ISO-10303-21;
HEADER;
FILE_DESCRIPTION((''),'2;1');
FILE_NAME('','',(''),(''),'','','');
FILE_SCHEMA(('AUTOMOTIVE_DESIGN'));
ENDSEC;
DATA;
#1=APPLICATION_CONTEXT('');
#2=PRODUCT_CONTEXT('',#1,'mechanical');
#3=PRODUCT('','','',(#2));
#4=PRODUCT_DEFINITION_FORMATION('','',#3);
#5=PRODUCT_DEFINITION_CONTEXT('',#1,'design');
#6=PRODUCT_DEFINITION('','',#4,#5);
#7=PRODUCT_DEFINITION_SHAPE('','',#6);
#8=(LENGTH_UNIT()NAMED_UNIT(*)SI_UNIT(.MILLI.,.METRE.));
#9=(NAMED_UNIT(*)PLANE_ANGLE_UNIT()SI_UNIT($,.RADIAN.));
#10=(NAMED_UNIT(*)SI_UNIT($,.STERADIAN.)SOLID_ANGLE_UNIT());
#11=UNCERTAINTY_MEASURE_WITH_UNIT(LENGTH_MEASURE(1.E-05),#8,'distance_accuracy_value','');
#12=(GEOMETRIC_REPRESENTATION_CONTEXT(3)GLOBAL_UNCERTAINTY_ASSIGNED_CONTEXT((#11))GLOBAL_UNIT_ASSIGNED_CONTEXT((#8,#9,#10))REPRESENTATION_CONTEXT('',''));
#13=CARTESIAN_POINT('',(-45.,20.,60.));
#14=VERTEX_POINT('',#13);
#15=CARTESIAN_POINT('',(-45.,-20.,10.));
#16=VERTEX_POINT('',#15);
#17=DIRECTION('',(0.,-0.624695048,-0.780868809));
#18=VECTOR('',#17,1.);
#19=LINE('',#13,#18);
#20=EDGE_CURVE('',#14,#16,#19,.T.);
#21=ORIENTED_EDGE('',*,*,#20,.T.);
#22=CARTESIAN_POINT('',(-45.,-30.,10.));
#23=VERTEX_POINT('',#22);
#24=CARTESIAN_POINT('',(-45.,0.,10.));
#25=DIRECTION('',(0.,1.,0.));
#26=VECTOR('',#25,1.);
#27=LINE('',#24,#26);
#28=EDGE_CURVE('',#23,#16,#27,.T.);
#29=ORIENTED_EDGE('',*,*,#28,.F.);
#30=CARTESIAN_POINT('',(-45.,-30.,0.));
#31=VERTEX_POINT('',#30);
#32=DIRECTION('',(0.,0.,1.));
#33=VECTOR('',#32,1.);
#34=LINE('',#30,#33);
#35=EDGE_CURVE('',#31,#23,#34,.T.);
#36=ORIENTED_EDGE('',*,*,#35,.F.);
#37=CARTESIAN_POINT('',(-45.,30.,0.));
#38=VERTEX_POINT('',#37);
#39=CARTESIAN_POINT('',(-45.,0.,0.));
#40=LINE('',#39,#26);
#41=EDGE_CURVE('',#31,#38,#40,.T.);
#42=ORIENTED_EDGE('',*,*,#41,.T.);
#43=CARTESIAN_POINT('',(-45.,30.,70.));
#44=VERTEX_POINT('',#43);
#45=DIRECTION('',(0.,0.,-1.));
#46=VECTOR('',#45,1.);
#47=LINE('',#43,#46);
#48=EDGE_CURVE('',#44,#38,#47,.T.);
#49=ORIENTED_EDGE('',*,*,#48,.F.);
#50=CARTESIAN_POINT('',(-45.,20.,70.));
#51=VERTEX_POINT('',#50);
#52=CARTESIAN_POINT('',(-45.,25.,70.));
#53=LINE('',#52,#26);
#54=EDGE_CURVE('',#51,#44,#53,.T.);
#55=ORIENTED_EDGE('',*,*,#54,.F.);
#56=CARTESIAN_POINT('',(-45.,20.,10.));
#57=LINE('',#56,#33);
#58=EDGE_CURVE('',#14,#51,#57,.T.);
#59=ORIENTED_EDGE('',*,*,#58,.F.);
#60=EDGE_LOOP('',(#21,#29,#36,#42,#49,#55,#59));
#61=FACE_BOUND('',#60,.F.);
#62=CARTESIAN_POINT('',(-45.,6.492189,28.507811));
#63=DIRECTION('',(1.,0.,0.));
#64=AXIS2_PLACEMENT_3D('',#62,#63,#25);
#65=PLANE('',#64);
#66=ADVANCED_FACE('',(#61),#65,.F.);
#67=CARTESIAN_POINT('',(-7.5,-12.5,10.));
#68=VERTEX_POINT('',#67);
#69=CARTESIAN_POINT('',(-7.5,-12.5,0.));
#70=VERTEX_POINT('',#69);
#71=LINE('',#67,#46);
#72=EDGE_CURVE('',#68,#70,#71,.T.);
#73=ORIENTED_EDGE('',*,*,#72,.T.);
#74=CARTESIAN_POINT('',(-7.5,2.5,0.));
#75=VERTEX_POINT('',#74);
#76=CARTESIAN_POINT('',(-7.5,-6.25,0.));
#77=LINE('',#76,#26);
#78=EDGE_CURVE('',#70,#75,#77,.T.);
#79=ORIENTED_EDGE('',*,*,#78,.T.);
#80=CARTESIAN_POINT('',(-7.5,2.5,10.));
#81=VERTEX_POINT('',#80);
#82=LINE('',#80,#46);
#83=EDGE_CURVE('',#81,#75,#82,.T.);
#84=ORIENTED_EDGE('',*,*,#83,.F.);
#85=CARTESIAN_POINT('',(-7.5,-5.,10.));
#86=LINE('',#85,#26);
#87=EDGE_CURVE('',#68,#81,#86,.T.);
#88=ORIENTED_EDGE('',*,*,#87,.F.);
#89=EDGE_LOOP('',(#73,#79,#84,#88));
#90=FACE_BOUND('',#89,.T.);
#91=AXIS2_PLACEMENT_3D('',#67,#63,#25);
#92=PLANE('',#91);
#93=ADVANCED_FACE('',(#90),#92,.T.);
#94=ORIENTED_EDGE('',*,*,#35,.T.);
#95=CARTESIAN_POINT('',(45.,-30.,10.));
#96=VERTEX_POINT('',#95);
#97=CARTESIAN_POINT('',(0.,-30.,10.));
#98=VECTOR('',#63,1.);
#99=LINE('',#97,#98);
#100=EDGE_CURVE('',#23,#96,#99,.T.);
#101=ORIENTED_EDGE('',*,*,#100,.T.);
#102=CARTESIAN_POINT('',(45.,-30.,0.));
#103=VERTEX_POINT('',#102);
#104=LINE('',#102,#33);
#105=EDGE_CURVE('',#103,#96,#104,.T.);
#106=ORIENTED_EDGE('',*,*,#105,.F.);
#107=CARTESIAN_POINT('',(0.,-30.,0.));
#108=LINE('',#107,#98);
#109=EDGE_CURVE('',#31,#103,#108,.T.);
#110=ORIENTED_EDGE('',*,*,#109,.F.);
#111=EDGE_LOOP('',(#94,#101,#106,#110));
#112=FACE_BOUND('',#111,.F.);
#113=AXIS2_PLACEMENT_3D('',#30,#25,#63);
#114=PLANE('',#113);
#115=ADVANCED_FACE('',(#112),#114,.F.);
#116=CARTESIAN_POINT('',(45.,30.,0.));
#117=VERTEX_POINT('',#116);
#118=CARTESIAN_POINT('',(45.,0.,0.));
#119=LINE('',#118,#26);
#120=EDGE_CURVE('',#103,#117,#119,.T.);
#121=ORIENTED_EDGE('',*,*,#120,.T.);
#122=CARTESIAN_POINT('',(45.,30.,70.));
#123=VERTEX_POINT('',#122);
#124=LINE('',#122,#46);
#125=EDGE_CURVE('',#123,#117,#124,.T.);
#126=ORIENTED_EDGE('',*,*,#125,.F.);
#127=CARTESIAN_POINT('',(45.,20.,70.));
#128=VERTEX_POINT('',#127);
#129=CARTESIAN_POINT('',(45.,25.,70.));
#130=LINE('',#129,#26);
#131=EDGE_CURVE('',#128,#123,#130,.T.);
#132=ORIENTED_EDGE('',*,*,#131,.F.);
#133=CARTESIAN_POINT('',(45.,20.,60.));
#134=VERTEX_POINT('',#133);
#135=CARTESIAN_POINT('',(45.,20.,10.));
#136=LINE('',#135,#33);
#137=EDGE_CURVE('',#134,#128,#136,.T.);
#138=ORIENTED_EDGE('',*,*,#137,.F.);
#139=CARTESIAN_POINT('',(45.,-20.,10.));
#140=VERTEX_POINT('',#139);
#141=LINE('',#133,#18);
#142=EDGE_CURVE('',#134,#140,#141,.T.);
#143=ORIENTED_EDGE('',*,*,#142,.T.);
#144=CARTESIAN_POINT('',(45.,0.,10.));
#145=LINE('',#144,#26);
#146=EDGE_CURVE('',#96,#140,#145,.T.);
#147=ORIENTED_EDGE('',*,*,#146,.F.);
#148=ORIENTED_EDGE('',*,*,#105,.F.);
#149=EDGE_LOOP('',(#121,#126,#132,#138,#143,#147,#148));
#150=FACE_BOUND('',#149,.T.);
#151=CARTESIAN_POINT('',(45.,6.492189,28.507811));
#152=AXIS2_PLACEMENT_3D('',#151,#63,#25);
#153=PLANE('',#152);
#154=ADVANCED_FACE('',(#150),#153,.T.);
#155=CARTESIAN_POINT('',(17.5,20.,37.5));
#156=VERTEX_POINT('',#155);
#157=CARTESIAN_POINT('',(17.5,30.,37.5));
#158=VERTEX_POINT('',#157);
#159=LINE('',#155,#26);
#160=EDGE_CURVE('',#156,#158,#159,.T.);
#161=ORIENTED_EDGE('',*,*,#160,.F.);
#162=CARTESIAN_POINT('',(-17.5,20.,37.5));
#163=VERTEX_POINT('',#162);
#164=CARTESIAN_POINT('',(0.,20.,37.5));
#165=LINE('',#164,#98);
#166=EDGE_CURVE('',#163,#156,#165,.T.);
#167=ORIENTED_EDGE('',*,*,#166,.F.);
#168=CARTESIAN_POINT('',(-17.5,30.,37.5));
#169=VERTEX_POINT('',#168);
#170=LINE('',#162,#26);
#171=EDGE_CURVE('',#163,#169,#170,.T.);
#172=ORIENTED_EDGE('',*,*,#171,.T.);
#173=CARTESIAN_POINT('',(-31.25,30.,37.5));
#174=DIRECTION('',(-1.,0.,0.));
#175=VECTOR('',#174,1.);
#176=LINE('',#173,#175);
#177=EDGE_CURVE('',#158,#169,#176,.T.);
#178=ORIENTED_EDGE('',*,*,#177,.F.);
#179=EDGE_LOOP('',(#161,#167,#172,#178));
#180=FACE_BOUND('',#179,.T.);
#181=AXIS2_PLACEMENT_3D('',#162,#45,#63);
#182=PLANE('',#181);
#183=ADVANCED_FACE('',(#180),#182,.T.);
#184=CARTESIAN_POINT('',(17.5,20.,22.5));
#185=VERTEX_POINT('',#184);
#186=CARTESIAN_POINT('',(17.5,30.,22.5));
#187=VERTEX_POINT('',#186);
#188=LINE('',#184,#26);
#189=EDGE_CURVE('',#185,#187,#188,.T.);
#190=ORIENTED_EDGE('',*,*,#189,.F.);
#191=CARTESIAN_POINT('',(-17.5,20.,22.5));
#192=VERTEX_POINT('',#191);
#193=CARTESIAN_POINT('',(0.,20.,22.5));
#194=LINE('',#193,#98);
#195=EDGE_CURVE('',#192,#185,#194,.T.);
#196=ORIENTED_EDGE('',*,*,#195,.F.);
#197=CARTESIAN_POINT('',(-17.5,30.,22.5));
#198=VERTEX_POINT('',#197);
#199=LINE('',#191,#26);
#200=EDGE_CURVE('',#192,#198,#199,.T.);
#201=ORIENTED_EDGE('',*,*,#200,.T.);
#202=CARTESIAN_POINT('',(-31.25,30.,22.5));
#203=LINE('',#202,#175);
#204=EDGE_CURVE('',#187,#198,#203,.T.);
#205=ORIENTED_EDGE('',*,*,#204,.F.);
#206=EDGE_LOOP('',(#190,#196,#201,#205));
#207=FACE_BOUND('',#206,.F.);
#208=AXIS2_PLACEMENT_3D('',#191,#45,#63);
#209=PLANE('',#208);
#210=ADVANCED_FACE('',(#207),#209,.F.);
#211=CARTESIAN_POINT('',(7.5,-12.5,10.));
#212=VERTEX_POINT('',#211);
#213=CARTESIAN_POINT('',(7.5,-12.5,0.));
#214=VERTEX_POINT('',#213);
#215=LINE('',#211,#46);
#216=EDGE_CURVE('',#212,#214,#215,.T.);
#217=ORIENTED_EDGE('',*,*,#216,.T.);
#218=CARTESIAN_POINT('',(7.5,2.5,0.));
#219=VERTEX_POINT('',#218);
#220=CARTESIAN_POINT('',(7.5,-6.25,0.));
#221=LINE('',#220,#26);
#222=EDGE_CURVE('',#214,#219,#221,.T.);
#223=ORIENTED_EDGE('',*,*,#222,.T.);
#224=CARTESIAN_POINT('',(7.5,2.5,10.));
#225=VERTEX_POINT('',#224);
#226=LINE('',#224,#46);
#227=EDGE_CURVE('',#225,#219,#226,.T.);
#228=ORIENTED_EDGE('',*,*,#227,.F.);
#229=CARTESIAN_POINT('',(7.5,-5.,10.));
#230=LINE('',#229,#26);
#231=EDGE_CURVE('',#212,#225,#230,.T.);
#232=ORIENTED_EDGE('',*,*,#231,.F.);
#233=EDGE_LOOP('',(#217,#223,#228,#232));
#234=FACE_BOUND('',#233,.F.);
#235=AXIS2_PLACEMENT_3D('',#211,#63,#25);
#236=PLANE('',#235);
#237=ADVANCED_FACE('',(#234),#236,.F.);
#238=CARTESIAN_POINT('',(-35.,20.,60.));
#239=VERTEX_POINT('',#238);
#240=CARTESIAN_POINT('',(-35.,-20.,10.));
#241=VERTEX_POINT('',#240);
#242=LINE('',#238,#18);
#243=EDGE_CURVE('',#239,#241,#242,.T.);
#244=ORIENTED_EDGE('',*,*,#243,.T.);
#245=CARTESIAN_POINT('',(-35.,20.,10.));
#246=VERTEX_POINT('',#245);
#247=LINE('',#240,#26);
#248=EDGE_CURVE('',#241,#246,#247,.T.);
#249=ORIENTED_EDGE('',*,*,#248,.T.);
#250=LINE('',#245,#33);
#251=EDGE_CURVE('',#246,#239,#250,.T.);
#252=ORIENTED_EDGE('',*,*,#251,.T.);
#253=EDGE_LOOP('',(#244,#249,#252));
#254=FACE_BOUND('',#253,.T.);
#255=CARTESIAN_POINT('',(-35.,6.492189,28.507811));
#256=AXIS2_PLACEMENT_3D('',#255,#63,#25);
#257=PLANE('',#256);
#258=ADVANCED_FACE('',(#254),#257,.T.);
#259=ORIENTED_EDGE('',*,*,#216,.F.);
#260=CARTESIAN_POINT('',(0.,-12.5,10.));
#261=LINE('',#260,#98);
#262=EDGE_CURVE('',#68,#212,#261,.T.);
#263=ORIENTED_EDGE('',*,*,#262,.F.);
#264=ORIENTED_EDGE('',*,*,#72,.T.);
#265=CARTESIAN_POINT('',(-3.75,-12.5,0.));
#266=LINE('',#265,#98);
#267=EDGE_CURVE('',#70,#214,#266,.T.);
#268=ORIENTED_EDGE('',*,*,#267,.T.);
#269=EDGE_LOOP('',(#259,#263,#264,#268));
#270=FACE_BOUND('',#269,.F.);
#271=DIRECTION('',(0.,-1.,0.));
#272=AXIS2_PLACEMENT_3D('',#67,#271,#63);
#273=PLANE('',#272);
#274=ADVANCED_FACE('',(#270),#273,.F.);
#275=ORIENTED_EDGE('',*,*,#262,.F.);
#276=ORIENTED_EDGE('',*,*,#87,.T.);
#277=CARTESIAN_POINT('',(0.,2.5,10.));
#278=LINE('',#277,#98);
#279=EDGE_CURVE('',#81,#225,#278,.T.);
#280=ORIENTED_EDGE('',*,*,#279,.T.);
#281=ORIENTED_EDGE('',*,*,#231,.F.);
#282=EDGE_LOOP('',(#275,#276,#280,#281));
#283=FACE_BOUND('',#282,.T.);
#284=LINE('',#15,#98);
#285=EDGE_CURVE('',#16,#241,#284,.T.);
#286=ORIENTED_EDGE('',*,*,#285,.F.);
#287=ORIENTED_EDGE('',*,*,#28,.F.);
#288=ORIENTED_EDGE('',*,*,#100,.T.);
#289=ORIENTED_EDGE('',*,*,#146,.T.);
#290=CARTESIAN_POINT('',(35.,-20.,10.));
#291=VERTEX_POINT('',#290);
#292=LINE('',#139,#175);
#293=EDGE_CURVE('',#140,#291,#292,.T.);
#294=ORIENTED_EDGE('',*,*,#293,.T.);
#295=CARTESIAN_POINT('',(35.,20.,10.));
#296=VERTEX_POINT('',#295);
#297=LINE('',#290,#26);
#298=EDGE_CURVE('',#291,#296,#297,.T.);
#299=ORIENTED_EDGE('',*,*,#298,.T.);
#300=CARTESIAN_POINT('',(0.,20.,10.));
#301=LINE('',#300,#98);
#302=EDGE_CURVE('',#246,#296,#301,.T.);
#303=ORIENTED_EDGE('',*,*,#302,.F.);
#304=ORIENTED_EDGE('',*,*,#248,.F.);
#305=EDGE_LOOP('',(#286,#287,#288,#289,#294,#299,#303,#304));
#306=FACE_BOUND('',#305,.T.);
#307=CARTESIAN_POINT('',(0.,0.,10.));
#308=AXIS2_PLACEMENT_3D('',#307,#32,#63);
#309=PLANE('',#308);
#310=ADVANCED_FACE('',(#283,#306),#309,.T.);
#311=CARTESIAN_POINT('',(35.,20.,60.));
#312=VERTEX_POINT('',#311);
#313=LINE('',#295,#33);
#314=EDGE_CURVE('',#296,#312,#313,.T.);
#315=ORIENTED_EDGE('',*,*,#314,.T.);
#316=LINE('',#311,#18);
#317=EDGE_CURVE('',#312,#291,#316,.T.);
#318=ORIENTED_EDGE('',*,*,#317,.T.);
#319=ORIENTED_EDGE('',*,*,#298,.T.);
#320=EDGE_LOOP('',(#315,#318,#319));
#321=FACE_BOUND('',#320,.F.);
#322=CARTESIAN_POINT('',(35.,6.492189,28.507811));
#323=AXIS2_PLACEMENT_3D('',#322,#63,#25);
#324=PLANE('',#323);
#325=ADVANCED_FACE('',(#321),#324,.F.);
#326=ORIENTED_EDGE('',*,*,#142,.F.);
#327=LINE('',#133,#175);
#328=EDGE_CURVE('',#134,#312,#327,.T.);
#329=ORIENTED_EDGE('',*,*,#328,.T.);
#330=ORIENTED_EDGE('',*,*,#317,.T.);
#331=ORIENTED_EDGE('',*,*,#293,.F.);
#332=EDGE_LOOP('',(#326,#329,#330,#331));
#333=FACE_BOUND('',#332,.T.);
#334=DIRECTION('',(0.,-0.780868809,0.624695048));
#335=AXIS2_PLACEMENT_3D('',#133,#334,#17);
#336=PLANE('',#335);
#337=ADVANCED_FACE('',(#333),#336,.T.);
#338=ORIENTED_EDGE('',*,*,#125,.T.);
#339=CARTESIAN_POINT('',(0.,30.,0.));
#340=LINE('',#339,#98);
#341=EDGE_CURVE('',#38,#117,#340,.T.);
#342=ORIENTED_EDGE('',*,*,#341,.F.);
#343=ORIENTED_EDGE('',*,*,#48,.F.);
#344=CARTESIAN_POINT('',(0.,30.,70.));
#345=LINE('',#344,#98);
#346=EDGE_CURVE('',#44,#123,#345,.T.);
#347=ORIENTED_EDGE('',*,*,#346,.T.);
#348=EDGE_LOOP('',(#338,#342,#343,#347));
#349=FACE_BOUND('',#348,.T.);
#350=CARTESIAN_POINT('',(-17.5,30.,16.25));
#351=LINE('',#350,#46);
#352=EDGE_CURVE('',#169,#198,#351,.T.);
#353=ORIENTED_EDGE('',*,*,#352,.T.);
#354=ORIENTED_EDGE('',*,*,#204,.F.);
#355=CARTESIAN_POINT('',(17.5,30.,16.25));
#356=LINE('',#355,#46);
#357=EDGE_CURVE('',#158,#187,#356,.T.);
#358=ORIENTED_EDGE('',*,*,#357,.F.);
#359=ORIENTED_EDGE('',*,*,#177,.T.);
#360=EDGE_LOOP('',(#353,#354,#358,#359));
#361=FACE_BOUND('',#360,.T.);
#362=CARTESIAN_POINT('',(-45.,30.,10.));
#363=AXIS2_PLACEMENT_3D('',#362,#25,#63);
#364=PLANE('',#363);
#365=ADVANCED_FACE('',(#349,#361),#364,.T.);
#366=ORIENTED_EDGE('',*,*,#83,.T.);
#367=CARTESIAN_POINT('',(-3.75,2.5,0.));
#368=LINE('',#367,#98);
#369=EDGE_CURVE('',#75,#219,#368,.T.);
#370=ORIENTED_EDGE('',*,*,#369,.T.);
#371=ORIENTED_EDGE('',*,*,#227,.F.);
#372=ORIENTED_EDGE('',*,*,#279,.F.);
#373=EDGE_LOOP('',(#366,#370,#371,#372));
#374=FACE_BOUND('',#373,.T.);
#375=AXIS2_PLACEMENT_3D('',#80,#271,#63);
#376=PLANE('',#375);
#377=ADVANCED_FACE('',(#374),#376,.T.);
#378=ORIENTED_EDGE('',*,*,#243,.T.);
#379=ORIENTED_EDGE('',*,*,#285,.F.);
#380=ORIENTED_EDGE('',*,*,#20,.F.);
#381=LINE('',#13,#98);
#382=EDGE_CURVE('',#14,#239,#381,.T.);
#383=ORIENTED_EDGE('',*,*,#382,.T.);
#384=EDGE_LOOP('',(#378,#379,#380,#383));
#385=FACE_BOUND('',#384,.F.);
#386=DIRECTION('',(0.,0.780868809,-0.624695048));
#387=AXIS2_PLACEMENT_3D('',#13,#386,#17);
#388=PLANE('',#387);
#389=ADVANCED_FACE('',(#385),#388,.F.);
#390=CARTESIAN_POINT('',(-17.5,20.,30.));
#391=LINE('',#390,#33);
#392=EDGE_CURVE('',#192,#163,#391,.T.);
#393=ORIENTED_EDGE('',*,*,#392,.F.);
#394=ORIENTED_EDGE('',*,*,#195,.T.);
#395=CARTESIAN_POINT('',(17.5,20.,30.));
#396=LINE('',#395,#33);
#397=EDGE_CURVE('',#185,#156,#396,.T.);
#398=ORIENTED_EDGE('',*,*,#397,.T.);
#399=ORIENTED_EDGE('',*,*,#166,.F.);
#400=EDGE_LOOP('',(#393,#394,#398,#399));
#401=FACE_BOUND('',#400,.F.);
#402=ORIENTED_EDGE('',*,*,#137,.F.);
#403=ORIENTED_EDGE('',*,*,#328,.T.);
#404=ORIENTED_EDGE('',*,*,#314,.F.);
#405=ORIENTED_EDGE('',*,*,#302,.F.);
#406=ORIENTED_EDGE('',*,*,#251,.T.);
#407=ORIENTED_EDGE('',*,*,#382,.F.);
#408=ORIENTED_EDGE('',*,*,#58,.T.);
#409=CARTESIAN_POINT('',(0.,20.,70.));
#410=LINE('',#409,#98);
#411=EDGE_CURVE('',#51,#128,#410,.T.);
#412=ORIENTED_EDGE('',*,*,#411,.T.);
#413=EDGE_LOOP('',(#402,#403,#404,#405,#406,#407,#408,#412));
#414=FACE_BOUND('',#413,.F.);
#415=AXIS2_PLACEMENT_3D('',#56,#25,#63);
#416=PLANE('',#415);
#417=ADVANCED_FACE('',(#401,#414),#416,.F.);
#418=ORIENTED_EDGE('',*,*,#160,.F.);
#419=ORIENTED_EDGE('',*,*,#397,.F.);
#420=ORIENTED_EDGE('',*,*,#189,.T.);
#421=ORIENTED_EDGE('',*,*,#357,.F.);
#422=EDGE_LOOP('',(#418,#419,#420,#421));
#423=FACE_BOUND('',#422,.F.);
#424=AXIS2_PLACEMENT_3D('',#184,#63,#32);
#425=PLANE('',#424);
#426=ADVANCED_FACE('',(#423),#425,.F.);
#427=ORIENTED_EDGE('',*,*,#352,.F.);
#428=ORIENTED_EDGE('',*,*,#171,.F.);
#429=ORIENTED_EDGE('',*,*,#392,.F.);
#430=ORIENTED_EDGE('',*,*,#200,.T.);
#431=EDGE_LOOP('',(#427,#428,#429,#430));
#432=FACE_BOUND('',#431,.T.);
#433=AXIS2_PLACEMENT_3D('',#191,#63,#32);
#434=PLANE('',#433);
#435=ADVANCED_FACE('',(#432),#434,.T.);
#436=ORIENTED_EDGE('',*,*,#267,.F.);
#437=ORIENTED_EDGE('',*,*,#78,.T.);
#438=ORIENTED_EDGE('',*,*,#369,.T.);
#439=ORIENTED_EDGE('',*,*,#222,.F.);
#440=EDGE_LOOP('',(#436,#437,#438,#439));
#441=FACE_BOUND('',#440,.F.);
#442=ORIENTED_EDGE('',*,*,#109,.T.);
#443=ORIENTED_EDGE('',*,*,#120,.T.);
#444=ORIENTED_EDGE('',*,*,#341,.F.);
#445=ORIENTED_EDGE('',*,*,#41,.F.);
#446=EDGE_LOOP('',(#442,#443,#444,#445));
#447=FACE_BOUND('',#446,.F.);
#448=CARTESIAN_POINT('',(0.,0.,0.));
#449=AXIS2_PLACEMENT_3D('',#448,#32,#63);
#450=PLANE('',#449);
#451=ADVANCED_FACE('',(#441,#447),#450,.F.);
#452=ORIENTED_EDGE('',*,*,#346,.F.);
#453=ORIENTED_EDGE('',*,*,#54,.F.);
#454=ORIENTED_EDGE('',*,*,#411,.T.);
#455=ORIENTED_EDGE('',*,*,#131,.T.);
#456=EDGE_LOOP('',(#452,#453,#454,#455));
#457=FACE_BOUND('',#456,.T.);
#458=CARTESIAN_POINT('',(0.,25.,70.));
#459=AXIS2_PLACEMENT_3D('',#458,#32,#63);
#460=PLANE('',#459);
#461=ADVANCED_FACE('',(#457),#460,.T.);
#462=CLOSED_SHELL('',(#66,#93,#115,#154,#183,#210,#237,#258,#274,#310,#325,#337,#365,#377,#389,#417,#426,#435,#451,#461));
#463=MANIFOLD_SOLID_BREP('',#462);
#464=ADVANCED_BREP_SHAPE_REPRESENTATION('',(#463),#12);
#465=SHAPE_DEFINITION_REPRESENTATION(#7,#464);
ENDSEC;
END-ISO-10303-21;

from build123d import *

# Parameters (mm, degrees)
SKETCH_W        = 90
SKETCH_H        = 60
PAD_DEPTH       = 10
SKETCH001_W     = 90
SKETCH001_H     = 10
PAD001_DEPTH    = 60
PAD002_DEPTH    = 10
PAD003_DEPTH    = 10
SKETCH004_W     = 15
SKETCH004_H     = 15
POCKET_DEPTH    = 10.001
SKETCH005_W     = 35
SKETCH005_H     = 15
POCKET001_DEPTH = 10.001


with BuildPart() as part:
    # Sketch → Pad (new body)
    with BuildSketch(Plane.XY):
        Rectangle(SKETCH_W, SKETCH_H)
    extrude(amount=PAD_DEPTH)

    # Sketch001 → Pad001 (new body)
    with BuildSketch(Plane.XY.offset(10)):
        with Locations((0, 25)):
            Rectangle(SKETCH001_W, SKETCH001_H)
    extrude(amount=PAD001_DEPTH)

    # Sketch002 → Pad002 (new body)
    with BuildSketch(Plane.YZ.offset(45)):
        Polygon((20, 60), (-20, 10), (20, 10), align=None)
    extrude(amount=-PAD002_DEPTH)

    # Sketch003 → Pad003 (new body)
    with BuildSketch(Plane(origin=(-45, 0, 0), x_dir=(0, -1, 0), z_dir=(-1, 0, 0))):
        Polygon((-20, 60), (20, 10), (-20, 10), align=None)
    extrude(amount=-PAD003_DEPTH)

    # Sketch004 → Pocket (cut, through all)
    with BuildSketch(Plane.XY.offset(10)):
        with Locations((0, -5)):
            Rectangle(SKETCH004_W, SKETCH004_H)
    extrude(amount=-POCKET_DEPTH, mode=Mode.SUBTRACT)

    # Sketch005 → Pocket001 (cut, through all)
    with BuildSketch(Plane.XZ.offset(-20)):
        with Locations((0, 30)):
            Rectangle(SKETCH005_W, SKETCH005_H)
    extrude(amount=-POCKET001_DEPTH, mode=Mode.SUBTRACT)


solid = part.part
